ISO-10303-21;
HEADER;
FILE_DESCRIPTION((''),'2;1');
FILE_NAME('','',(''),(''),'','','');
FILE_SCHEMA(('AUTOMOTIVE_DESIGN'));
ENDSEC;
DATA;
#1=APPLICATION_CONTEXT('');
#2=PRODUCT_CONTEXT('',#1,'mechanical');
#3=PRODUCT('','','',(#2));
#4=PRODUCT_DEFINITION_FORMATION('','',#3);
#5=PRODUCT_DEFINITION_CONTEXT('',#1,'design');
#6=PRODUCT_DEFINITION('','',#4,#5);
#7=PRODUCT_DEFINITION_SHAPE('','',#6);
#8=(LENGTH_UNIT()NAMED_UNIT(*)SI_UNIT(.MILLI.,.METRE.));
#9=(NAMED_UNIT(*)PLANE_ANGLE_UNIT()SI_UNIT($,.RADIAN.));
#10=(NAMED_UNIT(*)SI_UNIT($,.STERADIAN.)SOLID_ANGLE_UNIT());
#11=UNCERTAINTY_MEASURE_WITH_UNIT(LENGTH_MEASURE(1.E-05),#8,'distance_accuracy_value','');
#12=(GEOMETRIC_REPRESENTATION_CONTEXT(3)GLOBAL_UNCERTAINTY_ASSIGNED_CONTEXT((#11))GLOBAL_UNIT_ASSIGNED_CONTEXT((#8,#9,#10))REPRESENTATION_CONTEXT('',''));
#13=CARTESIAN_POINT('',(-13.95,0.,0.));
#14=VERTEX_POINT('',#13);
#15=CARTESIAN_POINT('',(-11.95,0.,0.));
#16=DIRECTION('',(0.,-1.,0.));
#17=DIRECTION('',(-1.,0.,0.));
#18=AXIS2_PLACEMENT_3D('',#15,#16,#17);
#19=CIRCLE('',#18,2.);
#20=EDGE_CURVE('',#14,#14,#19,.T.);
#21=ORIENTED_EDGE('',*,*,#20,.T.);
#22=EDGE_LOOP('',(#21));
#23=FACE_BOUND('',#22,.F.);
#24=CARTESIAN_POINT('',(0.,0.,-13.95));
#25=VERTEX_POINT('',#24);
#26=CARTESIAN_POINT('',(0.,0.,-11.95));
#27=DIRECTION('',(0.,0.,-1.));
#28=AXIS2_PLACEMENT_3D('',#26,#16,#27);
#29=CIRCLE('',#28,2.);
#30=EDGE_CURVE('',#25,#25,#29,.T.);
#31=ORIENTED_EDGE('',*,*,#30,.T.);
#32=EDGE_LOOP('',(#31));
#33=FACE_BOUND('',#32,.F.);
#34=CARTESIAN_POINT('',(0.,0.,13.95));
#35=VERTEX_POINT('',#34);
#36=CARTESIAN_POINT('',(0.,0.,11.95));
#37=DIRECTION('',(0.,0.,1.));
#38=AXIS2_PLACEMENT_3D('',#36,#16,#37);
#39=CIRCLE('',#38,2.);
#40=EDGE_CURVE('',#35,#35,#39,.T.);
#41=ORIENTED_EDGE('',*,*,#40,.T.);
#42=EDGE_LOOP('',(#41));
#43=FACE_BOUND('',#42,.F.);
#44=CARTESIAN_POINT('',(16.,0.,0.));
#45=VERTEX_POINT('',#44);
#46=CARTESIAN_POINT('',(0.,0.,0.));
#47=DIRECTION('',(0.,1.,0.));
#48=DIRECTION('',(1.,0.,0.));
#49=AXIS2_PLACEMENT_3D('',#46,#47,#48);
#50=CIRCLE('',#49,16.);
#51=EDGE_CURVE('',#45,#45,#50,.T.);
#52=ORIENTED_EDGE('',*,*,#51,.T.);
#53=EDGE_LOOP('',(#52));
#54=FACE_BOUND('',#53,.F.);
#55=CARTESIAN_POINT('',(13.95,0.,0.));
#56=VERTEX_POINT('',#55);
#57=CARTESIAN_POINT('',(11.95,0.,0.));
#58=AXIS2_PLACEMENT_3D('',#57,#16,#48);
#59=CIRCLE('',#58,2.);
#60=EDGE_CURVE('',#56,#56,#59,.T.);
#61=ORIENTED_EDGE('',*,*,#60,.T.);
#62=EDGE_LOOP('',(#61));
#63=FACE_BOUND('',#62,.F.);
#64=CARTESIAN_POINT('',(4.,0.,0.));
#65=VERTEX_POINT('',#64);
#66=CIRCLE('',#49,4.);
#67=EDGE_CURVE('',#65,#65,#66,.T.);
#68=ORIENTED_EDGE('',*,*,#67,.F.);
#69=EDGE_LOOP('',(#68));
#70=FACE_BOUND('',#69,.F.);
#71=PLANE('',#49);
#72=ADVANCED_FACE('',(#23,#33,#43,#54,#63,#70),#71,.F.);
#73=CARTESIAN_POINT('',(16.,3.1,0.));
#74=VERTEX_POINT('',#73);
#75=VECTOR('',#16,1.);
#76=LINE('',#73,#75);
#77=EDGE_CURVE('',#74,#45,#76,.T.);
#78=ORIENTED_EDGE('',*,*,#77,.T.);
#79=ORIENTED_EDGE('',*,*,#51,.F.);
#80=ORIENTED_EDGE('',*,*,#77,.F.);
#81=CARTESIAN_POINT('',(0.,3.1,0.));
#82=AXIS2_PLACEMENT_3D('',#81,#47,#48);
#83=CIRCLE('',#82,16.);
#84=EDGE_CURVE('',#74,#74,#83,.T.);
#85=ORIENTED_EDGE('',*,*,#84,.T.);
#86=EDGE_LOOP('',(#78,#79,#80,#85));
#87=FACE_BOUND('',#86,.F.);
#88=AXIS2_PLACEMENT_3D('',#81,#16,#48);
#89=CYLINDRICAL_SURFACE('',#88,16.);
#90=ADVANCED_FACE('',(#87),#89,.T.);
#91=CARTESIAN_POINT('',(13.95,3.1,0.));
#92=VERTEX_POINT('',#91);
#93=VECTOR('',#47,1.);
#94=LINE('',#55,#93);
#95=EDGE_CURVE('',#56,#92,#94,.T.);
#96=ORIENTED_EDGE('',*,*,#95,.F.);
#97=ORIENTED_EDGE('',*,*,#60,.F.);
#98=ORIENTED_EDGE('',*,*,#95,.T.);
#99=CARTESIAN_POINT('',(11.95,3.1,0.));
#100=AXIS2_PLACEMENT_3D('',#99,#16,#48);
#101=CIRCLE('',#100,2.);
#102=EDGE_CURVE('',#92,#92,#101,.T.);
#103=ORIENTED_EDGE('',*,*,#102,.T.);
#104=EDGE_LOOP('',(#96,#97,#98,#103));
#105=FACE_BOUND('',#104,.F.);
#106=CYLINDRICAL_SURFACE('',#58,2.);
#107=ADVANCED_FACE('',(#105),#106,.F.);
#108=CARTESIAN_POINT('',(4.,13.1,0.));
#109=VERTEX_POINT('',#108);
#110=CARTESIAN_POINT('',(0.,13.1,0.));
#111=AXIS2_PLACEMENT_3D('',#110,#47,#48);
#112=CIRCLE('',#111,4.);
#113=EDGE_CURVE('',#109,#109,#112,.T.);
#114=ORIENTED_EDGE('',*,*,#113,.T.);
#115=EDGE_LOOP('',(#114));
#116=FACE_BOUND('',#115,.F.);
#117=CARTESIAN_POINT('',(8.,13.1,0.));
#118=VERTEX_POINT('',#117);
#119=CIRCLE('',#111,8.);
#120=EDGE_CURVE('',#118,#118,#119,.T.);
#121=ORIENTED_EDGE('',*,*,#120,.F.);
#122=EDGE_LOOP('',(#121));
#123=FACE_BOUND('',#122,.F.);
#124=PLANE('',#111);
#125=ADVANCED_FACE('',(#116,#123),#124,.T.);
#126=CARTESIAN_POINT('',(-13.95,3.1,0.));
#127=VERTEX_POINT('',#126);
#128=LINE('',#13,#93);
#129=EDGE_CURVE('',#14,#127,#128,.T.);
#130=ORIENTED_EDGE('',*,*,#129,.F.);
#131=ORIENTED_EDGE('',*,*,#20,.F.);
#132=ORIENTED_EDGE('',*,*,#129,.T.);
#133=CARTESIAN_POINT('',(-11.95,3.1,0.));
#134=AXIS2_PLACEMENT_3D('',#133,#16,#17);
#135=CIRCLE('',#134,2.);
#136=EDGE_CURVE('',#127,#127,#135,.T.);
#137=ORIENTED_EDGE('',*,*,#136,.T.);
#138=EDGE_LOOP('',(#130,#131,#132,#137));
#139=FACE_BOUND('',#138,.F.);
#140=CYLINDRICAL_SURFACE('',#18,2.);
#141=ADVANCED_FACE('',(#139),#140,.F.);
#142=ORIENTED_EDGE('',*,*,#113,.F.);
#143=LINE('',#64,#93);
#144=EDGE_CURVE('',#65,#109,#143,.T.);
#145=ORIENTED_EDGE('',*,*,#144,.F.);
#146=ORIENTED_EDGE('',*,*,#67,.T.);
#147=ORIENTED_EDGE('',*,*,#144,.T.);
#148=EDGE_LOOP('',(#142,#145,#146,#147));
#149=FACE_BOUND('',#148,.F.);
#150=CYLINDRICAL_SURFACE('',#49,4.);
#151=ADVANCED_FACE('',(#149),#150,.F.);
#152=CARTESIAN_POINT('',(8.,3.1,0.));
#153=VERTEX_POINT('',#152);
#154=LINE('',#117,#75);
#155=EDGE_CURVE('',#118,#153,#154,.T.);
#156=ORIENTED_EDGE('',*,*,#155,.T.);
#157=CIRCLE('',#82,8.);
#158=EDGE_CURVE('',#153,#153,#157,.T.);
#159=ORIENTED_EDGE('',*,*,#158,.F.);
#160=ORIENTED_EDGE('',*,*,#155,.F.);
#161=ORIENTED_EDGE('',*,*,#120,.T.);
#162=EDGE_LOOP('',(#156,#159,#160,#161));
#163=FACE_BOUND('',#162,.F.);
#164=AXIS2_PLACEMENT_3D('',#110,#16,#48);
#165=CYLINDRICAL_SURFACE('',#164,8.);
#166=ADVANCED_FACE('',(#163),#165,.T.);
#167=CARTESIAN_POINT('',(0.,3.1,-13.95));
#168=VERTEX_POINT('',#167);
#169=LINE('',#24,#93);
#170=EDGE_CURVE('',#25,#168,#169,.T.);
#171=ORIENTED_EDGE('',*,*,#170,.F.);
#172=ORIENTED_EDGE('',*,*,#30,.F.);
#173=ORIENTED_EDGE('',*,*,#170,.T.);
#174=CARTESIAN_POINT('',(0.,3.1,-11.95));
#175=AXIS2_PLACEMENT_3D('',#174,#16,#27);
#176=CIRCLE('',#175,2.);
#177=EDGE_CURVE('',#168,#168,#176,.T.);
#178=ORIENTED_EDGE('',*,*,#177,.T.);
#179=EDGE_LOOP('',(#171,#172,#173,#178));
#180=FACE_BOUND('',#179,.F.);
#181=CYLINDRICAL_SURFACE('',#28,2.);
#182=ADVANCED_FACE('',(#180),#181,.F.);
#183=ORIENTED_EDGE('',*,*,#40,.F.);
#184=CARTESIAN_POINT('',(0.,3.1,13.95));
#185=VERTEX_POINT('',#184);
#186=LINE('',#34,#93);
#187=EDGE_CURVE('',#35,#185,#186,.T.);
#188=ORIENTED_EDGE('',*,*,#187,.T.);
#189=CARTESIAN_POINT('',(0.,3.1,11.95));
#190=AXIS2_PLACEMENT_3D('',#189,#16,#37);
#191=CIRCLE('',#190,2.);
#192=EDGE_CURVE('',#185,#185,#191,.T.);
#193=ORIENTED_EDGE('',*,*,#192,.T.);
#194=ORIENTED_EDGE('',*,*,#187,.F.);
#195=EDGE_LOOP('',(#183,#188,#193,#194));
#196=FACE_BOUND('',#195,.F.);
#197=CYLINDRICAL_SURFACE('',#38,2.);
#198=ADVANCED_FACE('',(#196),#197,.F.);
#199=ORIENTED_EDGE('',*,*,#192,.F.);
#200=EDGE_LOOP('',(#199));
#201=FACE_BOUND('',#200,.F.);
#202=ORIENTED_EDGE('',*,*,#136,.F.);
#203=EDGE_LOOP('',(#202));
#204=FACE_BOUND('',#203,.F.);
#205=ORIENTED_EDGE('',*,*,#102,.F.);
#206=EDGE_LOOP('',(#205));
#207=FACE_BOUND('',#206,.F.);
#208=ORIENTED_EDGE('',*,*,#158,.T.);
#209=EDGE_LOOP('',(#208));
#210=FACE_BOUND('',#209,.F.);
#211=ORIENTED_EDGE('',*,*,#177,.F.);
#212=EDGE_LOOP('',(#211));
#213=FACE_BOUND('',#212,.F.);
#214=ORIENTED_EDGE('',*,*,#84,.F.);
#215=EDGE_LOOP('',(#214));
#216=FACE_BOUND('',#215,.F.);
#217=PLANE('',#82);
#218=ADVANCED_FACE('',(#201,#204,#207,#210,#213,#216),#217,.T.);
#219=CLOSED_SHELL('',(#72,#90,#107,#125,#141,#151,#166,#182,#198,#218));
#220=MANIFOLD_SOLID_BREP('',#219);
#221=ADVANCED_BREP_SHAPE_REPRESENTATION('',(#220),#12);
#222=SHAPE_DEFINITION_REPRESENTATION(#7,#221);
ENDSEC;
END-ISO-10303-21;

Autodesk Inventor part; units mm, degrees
ref_plane "YZ Plane" through (0, 0, 0) normal (1, 0, 0) x (0, 1, 0)
ref_plane "XZ Plane" through (0, 0, 0) normal (0, 1, 0) x (-1, 0, 0)
ref_plane "XY Plane" through (0, 0, 0) normal (0, 0, 1) x (1, 0, 0)
sketch "Sketch1" plane through (0, 0, 0) normal (0, 0, 1) x (1, 0, 0)
  line L0 (0, 0) -> (0, 13.1) construction
  line L1 (4, 0) -> (4, 13.1)
  line L2 (4, 13.1) -> (8, 13.1)
  line L3 (8, 13.1) -> (8, 3.1)
  line L4 (8, 3.1) -> (16, 3.1)
  line L5 (16, 3.1) -> (16, 0)
  line L6 (16, 0) -> (4, 0)
  point P0 (8, 8.1)
  point P1 (8, 8.1)
  dimension "d0" = 13.1
  dimension "d1" = 10
  dimension "d2" = 3.1
  dimension "d3" = 32
  dimension "d4" = 16
  dimension "d5" = 8
revolve "Revolution1" add sketch "Sketch1" angle 360 about axis through (0, 0, 0) along (0, 1, 0)
sketch "Sketch2" plane through (0, 0, 0) normal (0, -1, 0) x (1, 0, 0)
  circle A0 centre (11.95, 0) radius 2
  line L0 (13.95, 0) -> (16, 0) construction
  circle A1 centre (0, 0) radius 16 construction
  dimension "d7" = 4
  dimension "d8" = 2.05
extrude "MountHole" cut sketch "Sketch2" against normal through all
pattern_circular "Circular Pattern1" count 4 over 360 about axis through (0, 6.55, 0) along (0, -1, 0) of "MountHole"
equation "\"d0\" = flangeCoupling_height"
equation "\"d1\" = flangeCoupling_collarHeight"
equation "\"d2\" = flangeCoupling_flangeHeight"
equation "\"d3\" = flangeCoupling_flangeDiameter"
equation "\"d4\" = flangeCoupling_collarOuterDiameter"
equation "\"d5\" = flangeCoupling_innerDiameter"
equation "\"d7\" = flangeCoupling_mountHoleDiameter + gap"
equation "\"d8\" = flangeCoupling_mountHoleEdgeToEdge"
equation "\"gap\" = 0.1"
equation "\"airgap\" = 0.4"
equation "\"wallgap\" = 2"
equation "\"driveMagnet_height\" = 5"
equation "\"halbachMagnet_height\" = 3"
equation "\"rotorBandBolt_diameter\" = 2"
equation "\"rotorBandBolt_headDiameter\" = 3.98"
equation "\"rotorBandBolt_headHeight\" = 2"
equation "\"rotorBandHexNut_sideToSide\" = 4"
equation "\"rotorBandHexNut_height\" = 1.2"
equation "\"rotorBandSquareNut_sideLength\" = 4"
equation "\"rotorBandSquareNut_height\" = 1.2"
equation "\"sensorMagnet_diameter\" = 5"
equation "\"sensorMagnet_height\" = 2.66667"
equation "\"rotorRadius\" = 2 * gap + driveMagnet_centerSpacingRadius + driveMagnet_length + wallgap"
equation "\"rotor_mountingLipHeight\" = 0.5 * statorThickness"
equation "\"shaftDiameter\" = 8"
equation "\"flangeBearing_innerDiameter\" = shaftDiameter"
equation "\"flangeBearing_outerDiameter\" = 16"
equation "\"flangeBearing_flangeDiameter\" = 18"
equation "\"flangeBearing_height\" = 5"
equation "\"flangeBearing_flangeHeight\" = 1"
equation "\"statorThickness\" = coilThickness + 2 * wallgap"
equation "\"rotorBandThickness\" = wallgap + rotorBandBolt_headHeight + gap"
equation "\"flangeCoupling_innerDiameter\" = shaftDiameter"
equation "\"flangeCoupling_collarOuterDiameter\" = 16"
equation "\"flangeCoupling_flangeDiameter\" = 32"
equation "\"flangeCoupling_collarHeight\" = 10"
equation "\"flangeCoupling_flangeHeight\" = 3.1"
equation "\"flangeCoupling_flangeHoleDiameter\" = 3.9"
equation "\"flangeCoupling_flangeHoleEdgeToEdge\" = 2.05"
equation "\"flangeCoupling_height\" = flangeCoupling_collarHeight + flangeCoupling_flangeHeight"
equation "\"flangeCoupling_mountHoleDiameter\" = 3.9"
equation "\"flangeCoupling_mountHoleEdgeToEdge\" = 2.05"
equation "\"statorRadius\" = driveMagnet_length + driveMagnet_centerSpacingRadius + 2 * gap"
equation "\"coilThickness\" = 12"
equation "\"statorMountBolt_diameter\" = 4"
equation "\"statorMountBolt_headDiameter\" = 7"
equation "\"statorMountBolt_headHeight\" = 4"
equation "\"statorMountBolt_shaftLength\" = coilThickness + flangeCoupling_flangeHeight + wallgap"
equation "\"statorMountHexNut_height\" = 4"
equation "\"statorMountHexNut_sideToSide\" = 8"
equation "\"sensorMagnet_ringRadius\" = 0.5 * driveMagnet_centerSpacingRadius + 2 * wallgap"
equation "\"coil_percentCoverage\" = 0.6"
equation "\"statorSpokeDegrees\" = 4deg"
equation "\"coil_bulge\" = 3"
equation "\"statorCoilBolt_shaftLength\" = coilThickness"
equation "\"statorCoilHexNut_height\" = 1.2"
equation "\"statorCoilBolt_headHeight\" = 2"
equation "\"statorCoilBolt_diameter\" = 2"
equation "\"statorCoilBolt_headDiameter\" = 3.98"
equation "\"statorCoilHexNut_sideToSide\" = 4"
equation "\"magnetWire_outerDiameter\" = 0.8128"
equation "\"printingLayerHeight\" = 0.2"
equation "\"circuitBoard_height\" = 1.6"
equation "\"hallEffectSensor_width\" = 1.6"
equation "\"hallEffectSensor_length\" = 3"
equation "\"hallEffectSensor_height\" = 1.1"
equation "\"hallEffectSensor_pinLength\" = 0.6"
equation "\"circuitboardMountHexNut_height\" = 1.2"
equation "\"circuitboardMountHexNut_sideToSide\" = 4"
equation "\"circuitboardMountBolt_headHeight\" = 2"
equation "\"circuitboardMountBolt_shaftLength\" = coilThickness"
equation "\"circuitboardMountBolt_diameter\" = 2"
equation "\"circuitboardMountBolt_headDiameter\" = 3.98"
equation "\"statorShellBolt_headDiameter\" = 5.68"
equation "\"statorShellHexNut_height\" = 2.3"
equation "\"statorShellBolt_shaftLength\" = statorThickness - statorShellBolt_countersinkDepth"
equation "\"statorShellBolt_headHeight\" = 3"
equation "\"statorShellHexNut_sideToSide\" = 5.3"
equation "\"statorShellBolt_diameter\" = 3"
equation "\"driveMagnet_centerSpacingRadius\" = 38.96113"
equation "\"driveMagnet_length\" = 60"
equation "\"statorShellBolt_countersinkDepth\" = 3.4"
properties part number "FlangeCoupling" material "Steel, Mild"
